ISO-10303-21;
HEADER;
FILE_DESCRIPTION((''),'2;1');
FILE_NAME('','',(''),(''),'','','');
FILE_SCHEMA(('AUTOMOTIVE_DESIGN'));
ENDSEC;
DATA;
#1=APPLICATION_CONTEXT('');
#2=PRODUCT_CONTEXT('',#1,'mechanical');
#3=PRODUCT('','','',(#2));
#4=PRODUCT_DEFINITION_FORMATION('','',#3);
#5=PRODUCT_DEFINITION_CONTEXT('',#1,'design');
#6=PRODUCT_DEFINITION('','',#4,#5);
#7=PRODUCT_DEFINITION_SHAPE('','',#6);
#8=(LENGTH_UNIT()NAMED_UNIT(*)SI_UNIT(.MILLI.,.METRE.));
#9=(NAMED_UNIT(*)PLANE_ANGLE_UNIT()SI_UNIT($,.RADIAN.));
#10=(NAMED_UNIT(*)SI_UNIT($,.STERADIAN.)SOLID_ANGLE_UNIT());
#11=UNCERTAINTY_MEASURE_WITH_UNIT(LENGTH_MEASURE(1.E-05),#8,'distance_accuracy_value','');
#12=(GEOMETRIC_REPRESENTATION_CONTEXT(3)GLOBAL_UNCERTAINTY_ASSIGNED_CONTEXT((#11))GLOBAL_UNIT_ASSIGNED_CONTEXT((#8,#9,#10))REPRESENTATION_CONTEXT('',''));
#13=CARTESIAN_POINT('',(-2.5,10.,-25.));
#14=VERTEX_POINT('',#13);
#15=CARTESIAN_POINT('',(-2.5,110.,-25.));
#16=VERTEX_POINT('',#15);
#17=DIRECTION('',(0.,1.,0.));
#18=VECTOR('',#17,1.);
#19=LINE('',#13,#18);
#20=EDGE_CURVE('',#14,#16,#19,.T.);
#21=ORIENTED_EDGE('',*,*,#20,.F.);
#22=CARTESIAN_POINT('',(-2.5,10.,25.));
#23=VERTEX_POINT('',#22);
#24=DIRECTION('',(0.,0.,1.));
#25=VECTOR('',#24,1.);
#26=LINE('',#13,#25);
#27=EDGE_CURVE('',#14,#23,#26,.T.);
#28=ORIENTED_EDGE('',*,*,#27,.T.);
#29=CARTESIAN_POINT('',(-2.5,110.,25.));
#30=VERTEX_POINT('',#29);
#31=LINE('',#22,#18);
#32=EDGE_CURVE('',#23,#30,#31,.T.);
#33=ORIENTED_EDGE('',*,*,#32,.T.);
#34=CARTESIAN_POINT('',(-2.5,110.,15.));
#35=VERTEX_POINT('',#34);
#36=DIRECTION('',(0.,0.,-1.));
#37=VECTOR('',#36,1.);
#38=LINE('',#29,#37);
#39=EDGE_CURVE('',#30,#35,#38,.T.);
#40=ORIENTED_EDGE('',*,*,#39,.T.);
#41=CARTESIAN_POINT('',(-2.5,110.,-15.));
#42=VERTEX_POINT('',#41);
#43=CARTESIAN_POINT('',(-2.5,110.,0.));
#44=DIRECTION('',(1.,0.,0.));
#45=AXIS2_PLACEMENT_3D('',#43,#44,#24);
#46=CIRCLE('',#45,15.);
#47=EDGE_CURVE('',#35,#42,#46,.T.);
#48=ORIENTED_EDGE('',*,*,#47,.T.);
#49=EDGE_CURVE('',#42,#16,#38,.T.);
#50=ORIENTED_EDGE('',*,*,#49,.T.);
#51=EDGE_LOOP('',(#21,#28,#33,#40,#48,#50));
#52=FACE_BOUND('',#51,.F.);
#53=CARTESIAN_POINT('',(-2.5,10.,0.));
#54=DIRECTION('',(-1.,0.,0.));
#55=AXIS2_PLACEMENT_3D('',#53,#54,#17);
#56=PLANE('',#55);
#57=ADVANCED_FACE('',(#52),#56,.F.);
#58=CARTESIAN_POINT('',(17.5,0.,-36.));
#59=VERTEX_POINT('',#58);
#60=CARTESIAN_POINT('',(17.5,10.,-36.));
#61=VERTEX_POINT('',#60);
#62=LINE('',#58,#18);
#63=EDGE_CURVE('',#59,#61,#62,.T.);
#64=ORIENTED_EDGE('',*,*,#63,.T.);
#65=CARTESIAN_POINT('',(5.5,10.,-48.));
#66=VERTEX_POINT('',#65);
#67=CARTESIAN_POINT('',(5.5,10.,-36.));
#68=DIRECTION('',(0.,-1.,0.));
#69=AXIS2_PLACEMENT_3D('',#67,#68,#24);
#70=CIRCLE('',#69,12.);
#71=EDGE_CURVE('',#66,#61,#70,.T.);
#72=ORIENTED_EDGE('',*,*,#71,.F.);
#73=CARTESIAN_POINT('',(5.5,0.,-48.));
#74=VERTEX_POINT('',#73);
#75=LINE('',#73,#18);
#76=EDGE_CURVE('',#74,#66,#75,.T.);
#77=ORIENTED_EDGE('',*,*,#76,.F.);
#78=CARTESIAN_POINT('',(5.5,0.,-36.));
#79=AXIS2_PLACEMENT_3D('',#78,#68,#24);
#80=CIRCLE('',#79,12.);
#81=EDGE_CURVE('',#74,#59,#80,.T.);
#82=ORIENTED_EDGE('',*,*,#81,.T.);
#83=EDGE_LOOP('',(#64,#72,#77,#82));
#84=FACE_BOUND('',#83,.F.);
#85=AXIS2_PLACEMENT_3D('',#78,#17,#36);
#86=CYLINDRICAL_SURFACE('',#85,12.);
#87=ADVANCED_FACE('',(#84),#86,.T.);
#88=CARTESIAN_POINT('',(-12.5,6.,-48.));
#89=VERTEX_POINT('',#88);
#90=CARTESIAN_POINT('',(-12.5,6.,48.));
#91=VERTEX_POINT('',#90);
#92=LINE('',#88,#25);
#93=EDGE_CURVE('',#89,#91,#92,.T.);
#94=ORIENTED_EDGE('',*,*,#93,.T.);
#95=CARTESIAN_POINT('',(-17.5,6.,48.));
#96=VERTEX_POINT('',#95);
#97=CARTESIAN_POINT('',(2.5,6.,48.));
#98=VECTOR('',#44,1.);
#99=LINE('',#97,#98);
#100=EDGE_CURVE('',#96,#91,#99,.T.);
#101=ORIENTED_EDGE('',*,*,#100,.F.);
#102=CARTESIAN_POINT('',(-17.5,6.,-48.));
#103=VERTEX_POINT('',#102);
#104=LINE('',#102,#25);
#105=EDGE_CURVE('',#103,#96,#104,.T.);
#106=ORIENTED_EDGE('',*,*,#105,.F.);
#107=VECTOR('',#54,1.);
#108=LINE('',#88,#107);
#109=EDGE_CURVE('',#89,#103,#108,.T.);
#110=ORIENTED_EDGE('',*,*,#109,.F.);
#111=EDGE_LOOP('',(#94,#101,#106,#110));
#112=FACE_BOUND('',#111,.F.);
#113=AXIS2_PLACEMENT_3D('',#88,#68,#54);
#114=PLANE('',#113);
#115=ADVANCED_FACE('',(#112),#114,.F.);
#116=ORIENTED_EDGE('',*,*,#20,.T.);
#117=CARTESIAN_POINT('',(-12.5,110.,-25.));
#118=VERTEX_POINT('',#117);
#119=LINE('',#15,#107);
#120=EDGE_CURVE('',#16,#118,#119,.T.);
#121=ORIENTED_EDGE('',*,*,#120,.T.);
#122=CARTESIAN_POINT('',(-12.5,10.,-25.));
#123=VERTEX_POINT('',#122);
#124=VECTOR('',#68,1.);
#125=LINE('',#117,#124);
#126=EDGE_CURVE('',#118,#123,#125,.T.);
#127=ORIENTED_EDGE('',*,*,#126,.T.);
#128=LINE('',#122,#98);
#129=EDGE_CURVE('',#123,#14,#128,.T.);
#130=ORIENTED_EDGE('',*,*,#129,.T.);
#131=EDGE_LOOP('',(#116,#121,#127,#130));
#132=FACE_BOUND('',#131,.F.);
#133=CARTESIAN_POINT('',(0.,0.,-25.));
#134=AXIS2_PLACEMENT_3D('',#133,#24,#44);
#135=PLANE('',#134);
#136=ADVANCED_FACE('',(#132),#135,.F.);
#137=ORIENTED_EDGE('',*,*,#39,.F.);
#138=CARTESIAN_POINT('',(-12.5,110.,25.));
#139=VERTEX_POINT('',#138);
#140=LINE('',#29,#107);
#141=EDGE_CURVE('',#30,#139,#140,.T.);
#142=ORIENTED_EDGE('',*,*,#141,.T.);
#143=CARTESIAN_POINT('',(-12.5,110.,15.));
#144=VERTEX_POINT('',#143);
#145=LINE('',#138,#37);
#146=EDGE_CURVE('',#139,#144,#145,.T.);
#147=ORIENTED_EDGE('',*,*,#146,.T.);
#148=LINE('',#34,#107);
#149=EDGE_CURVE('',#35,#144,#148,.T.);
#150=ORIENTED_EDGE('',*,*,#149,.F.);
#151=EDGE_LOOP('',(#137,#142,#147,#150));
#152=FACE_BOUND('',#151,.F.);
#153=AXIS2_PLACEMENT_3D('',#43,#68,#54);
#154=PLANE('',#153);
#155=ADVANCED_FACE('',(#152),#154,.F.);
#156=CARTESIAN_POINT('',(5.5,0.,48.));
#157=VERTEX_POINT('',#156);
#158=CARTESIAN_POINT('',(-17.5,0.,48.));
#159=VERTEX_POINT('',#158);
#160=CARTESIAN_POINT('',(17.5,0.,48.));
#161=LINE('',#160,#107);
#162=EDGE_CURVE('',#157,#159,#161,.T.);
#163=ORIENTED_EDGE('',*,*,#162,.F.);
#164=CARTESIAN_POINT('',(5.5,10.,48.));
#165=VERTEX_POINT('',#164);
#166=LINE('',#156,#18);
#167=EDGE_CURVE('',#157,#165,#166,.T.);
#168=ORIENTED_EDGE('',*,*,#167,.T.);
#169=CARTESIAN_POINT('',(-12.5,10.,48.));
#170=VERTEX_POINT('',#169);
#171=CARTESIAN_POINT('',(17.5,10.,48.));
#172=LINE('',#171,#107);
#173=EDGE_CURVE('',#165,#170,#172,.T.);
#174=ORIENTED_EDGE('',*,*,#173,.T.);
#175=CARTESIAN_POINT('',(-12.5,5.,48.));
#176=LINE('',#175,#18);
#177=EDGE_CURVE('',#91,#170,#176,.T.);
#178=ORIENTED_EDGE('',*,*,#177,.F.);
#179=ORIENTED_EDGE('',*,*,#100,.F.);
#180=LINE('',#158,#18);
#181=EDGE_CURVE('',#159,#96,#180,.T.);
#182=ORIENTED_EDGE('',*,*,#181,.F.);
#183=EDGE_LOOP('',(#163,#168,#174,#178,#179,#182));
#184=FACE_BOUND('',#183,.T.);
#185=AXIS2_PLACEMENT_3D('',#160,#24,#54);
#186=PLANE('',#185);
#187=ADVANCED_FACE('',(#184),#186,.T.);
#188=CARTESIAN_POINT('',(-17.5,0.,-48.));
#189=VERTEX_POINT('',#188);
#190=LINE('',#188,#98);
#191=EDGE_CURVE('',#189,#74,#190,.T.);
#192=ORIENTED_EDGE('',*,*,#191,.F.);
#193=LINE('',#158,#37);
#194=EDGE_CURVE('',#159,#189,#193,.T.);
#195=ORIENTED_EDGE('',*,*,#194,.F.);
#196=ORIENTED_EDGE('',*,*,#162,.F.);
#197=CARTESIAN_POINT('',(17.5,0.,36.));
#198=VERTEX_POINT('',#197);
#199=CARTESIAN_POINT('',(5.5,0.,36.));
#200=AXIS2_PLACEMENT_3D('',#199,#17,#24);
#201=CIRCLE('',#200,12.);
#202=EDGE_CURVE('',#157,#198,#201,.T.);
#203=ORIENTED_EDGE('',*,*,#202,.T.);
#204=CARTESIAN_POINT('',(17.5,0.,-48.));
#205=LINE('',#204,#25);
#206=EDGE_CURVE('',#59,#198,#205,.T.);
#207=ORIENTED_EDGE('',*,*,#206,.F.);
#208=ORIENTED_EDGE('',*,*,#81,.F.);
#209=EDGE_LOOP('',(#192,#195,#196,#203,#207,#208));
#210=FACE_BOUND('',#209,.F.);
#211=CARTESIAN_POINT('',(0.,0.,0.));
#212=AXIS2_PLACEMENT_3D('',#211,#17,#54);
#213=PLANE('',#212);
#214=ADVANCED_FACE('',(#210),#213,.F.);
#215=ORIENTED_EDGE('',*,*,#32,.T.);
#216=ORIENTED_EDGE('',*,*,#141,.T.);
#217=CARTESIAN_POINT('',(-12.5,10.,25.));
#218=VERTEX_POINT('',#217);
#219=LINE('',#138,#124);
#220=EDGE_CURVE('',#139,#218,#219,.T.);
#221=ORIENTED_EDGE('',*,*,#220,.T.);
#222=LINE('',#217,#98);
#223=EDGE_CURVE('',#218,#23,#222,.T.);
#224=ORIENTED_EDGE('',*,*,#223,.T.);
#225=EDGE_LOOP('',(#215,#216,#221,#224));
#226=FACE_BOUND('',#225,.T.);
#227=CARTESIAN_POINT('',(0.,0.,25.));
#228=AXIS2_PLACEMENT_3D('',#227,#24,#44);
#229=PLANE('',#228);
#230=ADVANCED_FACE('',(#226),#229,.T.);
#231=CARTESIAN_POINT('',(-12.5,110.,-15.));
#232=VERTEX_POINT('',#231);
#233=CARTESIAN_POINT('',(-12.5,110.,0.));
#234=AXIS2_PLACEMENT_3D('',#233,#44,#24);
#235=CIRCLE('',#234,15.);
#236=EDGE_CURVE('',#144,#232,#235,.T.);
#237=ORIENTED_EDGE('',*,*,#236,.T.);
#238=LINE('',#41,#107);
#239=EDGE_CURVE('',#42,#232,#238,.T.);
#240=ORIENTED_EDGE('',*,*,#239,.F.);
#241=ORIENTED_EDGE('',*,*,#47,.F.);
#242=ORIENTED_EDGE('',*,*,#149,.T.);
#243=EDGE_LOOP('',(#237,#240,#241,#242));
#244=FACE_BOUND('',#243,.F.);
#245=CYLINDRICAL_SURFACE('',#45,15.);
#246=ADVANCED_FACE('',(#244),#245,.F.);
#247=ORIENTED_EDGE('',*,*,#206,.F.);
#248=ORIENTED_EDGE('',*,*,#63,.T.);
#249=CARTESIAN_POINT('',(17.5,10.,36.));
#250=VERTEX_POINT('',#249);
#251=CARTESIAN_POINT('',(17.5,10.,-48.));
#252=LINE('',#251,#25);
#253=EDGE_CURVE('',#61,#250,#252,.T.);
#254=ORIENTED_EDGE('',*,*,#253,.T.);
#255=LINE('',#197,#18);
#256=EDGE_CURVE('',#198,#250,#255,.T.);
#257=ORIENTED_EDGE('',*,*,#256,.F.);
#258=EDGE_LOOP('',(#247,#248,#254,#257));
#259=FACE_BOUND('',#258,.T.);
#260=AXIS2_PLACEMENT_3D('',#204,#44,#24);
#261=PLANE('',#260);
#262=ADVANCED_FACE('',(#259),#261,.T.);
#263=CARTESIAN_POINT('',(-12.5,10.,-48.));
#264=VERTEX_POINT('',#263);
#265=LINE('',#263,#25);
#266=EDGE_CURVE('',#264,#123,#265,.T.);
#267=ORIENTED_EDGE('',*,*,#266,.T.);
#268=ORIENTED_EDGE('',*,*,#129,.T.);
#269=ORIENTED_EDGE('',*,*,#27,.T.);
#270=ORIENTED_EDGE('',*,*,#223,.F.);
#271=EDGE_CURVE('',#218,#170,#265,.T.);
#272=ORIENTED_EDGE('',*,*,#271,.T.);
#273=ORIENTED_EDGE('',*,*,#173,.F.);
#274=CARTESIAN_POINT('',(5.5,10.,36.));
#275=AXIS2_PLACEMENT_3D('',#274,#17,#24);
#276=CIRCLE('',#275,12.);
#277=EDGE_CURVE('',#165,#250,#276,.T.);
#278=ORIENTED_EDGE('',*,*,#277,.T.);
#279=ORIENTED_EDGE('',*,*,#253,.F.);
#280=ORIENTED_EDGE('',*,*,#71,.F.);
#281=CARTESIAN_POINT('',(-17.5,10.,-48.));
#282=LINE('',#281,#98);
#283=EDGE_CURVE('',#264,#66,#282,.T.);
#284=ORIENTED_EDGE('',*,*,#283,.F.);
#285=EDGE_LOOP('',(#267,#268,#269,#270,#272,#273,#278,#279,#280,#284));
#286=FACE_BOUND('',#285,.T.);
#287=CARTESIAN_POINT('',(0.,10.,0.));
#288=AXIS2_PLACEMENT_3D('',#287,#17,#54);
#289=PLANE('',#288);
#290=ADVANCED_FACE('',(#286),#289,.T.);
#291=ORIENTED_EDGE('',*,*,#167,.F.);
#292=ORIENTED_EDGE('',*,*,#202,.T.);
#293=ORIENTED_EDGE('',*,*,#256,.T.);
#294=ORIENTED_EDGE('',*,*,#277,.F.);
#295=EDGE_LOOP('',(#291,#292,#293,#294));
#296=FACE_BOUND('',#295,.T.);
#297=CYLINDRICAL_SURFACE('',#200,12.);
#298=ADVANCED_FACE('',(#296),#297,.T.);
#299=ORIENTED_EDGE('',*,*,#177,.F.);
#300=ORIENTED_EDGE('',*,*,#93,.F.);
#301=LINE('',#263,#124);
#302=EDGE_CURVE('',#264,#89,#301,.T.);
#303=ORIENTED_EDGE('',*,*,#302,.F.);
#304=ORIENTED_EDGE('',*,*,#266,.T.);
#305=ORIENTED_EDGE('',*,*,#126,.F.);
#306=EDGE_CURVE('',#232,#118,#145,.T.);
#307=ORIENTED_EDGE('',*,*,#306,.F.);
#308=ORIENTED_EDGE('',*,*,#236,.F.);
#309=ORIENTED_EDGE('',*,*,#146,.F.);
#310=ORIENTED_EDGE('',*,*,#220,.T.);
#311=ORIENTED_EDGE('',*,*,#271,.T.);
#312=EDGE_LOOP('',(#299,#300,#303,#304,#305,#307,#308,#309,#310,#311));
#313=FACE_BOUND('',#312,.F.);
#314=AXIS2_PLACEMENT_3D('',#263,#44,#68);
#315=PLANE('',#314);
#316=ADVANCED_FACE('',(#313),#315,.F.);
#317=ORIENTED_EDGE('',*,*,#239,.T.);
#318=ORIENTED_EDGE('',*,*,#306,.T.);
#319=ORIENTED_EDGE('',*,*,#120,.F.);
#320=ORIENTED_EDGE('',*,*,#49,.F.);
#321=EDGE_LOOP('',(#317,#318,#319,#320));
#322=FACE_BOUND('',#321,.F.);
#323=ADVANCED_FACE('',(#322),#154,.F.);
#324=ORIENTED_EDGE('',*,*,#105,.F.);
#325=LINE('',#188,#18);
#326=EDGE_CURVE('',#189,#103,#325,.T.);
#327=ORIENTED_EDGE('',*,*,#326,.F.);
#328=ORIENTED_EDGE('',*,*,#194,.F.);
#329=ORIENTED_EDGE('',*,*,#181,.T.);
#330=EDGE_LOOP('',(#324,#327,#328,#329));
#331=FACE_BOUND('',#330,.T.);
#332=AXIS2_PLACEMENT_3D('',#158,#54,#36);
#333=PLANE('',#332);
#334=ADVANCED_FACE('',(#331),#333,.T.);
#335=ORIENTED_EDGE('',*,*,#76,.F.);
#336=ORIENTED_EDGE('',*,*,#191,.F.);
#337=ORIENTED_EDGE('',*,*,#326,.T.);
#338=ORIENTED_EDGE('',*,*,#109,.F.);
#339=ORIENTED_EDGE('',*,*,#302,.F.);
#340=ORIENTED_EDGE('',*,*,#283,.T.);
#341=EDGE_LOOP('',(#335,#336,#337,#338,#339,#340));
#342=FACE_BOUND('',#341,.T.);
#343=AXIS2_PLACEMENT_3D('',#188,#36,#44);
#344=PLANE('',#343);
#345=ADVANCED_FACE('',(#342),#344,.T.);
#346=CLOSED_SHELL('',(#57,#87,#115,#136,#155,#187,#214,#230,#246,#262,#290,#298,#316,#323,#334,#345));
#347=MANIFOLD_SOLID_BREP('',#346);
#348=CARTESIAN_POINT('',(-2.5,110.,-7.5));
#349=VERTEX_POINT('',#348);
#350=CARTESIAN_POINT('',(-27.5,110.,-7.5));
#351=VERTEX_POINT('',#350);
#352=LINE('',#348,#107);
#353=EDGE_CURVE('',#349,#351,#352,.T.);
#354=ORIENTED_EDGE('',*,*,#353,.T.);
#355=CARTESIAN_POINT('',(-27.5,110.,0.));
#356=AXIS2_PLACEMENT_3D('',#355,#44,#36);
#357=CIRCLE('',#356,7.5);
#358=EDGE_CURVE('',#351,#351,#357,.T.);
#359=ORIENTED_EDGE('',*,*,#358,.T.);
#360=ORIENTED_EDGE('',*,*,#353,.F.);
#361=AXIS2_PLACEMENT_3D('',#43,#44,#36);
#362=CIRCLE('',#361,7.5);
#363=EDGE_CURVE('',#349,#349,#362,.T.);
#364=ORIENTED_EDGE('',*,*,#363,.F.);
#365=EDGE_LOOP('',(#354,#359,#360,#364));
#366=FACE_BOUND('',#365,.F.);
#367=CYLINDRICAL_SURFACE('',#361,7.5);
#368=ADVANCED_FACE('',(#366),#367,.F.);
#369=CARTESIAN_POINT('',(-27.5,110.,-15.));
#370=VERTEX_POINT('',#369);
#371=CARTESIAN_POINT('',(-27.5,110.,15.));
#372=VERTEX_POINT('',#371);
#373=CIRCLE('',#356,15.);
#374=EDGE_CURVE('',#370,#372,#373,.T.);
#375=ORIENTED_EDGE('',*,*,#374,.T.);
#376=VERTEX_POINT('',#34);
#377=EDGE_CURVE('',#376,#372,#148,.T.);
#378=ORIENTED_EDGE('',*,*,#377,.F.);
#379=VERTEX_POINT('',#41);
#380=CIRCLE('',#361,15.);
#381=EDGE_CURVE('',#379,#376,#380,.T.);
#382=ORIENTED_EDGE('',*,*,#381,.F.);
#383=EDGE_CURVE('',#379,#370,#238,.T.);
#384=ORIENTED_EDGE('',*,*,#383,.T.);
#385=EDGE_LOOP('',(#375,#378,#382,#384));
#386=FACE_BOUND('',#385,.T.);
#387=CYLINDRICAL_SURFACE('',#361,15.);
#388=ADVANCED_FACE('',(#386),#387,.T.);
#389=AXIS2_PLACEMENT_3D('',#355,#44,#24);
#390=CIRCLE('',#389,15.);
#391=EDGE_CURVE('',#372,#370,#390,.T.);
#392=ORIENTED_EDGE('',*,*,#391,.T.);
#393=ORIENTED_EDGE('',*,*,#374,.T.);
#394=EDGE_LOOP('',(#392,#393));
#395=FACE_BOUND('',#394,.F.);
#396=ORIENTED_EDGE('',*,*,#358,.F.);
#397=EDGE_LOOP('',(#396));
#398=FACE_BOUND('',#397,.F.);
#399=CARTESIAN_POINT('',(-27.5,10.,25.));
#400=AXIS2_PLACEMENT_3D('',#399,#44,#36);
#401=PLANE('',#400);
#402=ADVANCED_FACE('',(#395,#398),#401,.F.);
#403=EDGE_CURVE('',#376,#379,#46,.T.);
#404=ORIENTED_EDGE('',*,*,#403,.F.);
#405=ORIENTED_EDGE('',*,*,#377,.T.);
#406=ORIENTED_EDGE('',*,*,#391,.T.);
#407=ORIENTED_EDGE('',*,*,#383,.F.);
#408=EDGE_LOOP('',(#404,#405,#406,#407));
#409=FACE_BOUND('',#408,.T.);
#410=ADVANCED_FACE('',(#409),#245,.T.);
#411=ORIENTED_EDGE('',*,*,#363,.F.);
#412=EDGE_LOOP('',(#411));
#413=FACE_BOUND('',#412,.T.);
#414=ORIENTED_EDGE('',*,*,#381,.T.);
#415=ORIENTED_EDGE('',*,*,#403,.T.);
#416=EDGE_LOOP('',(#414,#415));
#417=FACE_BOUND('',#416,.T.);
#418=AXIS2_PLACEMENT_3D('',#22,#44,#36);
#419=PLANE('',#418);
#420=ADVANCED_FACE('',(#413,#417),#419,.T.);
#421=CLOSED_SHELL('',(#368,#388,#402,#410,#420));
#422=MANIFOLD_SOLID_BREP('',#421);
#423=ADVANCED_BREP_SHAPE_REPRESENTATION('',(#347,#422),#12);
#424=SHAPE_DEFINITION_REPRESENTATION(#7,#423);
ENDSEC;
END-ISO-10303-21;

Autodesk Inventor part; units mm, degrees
ref_plane "YZ Plane" through (0, 0, 0) normal (1, 0, 0) x (0, 1, 0)
ref_plane "XZ Plane" through (0, 0, 0) normal (0, 1, 0) x (-1, 0, 0)
ref_plane "XY Plane" through (0, 0, 0) normal (0, 0, 1) x (1, 0, 0)
sketch "Sketch1" plane through (0, 0, 0) normal (0, 1, 0) x (-1, 0, 0)
  line L0 (-17.5, 48) -> (17.5, 48)
  line L1 (17.5, 48) -> (17.5, -48)
  line L2 (17.5, -48) -> (-17.5, -48)
  line L3 (-17.5, -48) -> (-17.5, 48)
  line L4 (-17.5, 48) -> (17.5, -48) construction
  line L5 (17.5, 48) -> (-17.5, -48) construction
  point P0 (0, 0)
  dimension "d0" = 96
  dimension "d1" = 35
extrude "Extrusion1" add sketch "Sketch1" along normal blind 10
fillet "Fillet1" radius 12 2 edges at (17.5, 5, -48) (17.5, 5, 48)
sketch "Sketch2" plane through (-17.5, 0, -48) normal (0, 0, -1) x (-1, 0, 0)
  line L0 (0, 0) -> (0, 10) projected
  line L1 (0, 10) -> (-5, 10)
  line L2 (-5, 10) -> (-5, 6)
  line L3 (-5, 6) -> (0, 6)
  line L4 (0, 6) -> (0, 10)
  line L5 (-23, 0) -> (0, 0) projected
  point P0 (-17.5, 0)
  point P1 (0, 6)
  dimension "d5" = 6
  dimension "d6" = 5
extrude "Extrusion2" cut sketch "Sketch2" against normal through all
sketch "Sketch3" plane through (0, 0, 0) normal (0, 0, 1) x (1, 0, 0)
  line L0 (-12.5, 10) -> (-2.5, 10)
  line L1 (-2.5, 10) -> (-2.5, 110)
  line L2 (-2.5, 110) -> (-12.5, 110)
  line L3 (-12.5, 110) -> (-12.5, 10)
  point P0 (0, 0)
  dimension "d9" = 10
  dimension "d10" = 100
extrude "Extrusion3" add sketch "Sketch3" along normal mid plane 50
sketch "Sketch4" plane through (-2.5, 10, 25) normal (1, 0, 0) x (0, 0, -1)
  line L0 (50, 100) -> (0, 100) projected
  arc A0 (10, 100) -> (40, 100) centre (25, 100) ccw
  point P0 (25, -10)
  dimension "d13" = 30
extrude "Extrusion4" cut sketch "Sketch4" against normal blind 50
sketch "Sketch5" plane through (-2.5, 10, 25) normal (1, 0, 0) x (0, 0, -1)
  arc A0 (10, 100) -> (40, 100) centre (25, 100) ccw projected
  circle A1 centre (25, 100) radius 15
  circle A2 centre (25, 100) radius 7.5
  point P0 (25, -10)
  dimension "d16" = 30
  dimension "d17" = 15
extrude "Extrusion5" add sketch "Sketch5" against normal blind 25 separate body
properties part number "lllll"
